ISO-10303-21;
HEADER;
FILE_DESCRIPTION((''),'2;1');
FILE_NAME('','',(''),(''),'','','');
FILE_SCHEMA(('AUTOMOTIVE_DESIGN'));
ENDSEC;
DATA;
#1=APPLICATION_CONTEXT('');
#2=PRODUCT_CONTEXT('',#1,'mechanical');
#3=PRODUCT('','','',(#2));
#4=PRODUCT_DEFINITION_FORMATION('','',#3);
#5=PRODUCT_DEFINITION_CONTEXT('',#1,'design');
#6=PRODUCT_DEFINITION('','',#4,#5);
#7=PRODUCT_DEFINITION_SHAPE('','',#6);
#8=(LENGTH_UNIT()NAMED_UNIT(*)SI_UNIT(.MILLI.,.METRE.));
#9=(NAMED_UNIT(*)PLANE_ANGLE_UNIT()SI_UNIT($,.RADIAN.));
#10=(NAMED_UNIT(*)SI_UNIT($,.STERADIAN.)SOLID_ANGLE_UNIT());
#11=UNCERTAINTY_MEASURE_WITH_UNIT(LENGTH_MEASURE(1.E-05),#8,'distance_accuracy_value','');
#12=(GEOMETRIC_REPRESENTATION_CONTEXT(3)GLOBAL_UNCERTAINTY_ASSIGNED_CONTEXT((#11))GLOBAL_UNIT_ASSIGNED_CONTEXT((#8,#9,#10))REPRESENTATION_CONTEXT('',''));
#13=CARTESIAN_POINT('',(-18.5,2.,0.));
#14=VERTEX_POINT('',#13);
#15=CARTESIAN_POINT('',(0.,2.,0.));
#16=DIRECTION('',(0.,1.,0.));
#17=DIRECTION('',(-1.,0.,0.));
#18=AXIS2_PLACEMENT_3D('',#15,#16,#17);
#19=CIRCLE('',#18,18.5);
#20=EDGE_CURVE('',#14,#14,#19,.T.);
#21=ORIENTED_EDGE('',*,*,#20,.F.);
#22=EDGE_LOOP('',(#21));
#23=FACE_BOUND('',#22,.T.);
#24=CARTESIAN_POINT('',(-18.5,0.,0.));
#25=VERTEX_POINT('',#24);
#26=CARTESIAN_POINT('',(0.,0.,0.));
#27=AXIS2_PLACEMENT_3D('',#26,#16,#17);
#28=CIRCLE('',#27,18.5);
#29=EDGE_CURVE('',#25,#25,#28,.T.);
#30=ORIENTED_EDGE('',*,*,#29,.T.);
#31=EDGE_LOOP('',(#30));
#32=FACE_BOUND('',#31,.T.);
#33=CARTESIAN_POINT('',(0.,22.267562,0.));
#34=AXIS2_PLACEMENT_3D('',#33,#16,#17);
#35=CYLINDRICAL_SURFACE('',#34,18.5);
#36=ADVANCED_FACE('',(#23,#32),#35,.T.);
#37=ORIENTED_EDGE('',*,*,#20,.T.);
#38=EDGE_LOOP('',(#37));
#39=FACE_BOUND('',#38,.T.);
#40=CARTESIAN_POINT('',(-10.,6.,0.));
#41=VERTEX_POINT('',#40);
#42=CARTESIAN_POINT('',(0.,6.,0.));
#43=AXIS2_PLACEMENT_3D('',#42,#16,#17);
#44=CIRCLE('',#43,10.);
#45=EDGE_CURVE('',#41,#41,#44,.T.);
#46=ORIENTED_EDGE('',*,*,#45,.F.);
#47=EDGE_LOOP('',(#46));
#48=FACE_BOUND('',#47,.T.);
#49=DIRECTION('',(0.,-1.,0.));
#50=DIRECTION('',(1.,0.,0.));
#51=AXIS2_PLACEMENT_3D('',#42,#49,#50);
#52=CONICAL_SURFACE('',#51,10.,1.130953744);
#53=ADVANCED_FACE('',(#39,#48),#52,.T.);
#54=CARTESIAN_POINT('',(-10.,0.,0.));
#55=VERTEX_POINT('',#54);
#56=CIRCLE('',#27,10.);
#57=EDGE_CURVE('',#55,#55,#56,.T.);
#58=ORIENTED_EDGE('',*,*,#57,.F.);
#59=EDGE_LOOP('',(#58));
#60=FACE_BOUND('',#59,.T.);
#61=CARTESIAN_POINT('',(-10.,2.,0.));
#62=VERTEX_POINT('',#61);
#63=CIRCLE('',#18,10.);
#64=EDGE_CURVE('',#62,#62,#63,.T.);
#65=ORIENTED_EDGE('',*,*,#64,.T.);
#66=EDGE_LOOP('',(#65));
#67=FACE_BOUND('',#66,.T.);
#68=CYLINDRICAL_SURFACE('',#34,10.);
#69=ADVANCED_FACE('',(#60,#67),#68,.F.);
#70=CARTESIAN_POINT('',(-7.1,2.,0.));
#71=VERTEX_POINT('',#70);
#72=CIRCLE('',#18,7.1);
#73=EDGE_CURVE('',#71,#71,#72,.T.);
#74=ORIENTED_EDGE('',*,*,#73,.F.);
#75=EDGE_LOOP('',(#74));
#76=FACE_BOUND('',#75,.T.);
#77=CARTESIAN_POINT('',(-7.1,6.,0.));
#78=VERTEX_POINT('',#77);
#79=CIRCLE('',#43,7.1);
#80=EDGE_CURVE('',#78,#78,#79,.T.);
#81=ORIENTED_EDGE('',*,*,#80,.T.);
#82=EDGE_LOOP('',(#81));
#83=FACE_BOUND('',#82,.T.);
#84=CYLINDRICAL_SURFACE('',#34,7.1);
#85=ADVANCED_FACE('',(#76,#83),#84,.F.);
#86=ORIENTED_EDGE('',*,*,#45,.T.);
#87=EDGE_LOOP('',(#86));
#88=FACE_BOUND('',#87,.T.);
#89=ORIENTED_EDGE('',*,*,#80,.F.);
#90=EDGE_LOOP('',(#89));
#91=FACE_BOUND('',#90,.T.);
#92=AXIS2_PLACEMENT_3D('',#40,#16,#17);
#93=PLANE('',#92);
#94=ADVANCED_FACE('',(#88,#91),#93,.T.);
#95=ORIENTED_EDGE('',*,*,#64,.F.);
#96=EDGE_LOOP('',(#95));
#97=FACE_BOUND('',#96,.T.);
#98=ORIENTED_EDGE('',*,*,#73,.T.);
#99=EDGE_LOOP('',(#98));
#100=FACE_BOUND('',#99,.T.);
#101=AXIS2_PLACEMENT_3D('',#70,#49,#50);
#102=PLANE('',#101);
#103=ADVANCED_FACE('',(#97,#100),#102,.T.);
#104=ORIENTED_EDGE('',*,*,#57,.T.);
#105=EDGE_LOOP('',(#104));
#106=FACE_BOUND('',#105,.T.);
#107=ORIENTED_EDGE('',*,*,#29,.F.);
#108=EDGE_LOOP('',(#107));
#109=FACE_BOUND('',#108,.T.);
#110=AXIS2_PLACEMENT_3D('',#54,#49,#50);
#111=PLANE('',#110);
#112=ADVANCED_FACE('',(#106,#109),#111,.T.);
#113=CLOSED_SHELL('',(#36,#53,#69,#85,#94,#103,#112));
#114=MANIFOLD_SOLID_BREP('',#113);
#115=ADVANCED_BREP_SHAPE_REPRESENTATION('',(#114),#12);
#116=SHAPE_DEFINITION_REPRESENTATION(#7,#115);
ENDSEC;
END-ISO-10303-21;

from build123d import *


with BuildPart() as part:
    # Sketch1 → Revolve1 (revolve)
    with BuildSketch(Plane.XY):
        Polygon((-18.5, 0), (-18.5, 2), (-10, 6), (-7.1, 6), (-7.1, 2), (-10, 2), (-10, 0), align=None)
    revolve(axis=Axis((0, 22.267562404, 0), (0, -1, 0)))


solid = part.part
